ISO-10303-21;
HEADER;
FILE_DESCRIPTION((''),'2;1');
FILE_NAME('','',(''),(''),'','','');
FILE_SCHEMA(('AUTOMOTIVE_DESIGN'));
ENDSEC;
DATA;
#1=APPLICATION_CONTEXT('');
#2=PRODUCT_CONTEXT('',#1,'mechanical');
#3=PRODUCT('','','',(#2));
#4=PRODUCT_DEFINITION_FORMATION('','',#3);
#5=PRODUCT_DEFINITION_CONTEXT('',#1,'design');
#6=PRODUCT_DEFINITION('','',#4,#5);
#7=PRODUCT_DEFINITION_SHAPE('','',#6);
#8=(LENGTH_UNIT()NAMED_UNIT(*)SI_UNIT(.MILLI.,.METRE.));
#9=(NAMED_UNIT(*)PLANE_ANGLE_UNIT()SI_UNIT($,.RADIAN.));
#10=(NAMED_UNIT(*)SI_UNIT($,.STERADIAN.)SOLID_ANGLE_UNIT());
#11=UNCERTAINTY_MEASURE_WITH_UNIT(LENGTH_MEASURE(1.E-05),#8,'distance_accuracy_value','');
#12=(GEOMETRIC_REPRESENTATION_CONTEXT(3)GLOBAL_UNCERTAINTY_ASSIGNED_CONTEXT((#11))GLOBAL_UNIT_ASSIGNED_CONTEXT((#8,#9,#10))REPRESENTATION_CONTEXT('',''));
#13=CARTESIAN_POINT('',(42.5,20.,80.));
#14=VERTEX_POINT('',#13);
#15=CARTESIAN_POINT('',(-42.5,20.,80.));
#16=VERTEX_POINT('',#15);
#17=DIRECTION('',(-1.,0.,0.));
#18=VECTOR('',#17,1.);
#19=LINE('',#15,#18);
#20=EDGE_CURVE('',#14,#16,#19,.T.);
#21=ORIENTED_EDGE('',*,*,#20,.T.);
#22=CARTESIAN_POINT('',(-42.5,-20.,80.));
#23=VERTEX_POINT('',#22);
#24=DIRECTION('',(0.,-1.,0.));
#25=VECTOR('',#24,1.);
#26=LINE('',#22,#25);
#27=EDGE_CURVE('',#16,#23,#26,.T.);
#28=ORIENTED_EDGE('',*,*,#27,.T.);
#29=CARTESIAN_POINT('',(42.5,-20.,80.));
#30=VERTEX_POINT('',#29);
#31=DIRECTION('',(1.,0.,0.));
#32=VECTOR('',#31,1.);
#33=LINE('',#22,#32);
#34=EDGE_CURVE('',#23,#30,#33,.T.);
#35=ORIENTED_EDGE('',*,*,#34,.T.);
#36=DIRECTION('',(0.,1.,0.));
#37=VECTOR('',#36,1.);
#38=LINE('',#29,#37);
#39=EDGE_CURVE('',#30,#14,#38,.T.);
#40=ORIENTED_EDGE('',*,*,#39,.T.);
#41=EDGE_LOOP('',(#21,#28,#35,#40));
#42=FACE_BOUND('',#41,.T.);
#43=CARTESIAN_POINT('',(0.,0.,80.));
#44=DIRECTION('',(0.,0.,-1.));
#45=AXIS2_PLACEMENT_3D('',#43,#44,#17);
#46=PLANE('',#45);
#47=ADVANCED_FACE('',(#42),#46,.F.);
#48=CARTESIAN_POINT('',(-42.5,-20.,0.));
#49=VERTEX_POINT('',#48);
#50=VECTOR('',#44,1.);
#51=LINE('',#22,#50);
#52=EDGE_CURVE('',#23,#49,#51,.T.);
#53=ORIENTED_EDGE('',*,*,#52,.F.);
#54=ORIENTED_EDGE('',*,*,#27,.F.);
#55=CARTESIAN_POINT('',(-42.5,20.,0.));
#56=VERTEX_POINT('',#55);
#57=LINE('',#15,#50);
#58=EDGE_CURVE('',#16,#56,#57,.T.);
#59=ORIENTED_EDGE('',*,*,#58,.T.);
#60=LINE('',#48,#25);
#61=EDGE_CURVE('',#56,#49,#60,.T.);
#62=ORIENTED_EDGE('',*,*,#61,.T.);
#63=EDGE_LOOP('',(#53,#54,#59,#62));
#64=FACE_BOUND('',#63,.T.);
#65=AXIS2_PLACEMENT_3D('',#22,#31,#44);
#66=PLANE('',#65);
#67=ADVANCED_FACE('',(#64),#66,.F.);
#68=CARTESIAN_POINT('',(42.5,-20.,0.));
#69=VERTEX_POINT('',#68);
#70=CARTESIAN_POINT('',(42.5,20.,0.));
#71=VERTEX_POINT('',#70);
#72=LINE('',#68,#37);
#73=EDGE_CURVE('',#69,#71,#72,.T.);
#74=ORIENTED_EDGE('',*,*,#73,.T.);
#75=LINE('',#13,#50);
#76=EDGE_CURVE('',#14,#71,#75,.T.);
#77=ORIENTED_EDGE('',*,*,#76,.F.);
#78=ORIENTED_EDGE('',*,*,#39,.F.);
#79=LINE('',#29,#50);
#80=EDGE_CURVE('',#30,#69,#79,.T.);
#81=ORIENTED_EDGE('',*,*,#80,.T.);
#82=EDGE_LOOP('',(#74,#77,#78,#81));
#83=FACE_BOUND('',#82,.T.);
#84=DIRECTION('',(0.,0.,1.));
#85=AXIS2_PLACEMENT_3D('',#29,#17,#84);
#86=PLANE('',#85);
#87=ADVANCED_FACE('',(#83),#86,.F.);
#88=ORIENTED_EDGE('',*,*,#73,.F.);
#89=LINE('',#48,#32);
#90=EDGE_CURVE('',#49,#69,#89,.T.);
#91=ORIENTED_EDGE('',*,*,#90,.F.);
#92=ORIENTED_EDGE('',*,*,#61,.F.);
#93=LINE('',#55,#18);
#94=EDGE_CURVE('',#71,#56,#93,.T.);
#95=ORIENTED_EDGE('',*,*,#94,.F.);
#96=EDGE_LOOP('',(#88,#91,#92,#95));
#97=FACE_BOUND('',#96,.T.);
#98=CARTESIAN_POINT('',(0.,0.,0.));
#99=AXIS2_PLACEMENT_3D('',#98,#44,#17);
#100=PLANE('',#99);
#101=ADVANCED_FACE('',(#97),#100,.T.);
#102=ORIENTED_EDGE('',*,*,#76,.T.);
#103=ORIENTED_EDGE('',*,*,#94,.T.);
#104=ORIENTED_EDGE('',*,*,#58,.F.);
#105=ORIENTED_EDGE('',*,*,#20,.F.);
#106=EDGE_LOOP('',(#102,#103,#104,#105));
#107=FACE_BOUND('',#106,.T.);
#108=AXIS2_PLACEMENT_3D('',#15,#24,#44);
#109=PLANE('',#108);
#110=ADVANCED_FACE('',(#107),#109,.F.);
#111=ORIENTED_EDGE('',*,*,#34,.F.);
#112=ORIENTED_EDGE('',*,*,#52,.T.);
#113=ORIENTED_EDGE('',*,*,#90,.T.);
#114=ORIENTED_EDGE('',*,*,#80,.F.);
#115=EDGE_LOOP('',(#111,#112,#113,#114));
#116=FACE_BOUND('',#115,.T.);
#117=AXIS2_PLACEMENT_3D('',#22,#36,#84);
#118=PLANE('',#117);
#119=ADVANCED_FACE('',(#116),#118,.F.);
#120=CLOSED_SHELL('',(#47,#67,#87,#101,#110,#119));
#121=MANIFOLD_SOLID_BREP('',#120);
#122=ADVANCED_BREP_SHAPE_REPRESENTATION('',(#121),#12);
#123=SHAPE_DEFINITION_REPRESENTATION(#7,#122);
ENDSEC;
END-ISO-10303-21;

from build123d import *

# Parameters (mm, degrees)
SKETCH_1_W                   = 85
SKETCH_1_H                   = 40
SOLID_OBS_02_FRONT_BOX_DEPTH = 80


with BuildPart() as part:
    # 草图1 → solid_obs_02_front_box (new body)
    with BuildSketch(Plane.XY):
        Rectangle(SKETCH_1_W, SKETCH_1_H)
    extrude(amount=SOLID_OBS_02_FRONT_BOX_DEPTH)


solid = part.part
